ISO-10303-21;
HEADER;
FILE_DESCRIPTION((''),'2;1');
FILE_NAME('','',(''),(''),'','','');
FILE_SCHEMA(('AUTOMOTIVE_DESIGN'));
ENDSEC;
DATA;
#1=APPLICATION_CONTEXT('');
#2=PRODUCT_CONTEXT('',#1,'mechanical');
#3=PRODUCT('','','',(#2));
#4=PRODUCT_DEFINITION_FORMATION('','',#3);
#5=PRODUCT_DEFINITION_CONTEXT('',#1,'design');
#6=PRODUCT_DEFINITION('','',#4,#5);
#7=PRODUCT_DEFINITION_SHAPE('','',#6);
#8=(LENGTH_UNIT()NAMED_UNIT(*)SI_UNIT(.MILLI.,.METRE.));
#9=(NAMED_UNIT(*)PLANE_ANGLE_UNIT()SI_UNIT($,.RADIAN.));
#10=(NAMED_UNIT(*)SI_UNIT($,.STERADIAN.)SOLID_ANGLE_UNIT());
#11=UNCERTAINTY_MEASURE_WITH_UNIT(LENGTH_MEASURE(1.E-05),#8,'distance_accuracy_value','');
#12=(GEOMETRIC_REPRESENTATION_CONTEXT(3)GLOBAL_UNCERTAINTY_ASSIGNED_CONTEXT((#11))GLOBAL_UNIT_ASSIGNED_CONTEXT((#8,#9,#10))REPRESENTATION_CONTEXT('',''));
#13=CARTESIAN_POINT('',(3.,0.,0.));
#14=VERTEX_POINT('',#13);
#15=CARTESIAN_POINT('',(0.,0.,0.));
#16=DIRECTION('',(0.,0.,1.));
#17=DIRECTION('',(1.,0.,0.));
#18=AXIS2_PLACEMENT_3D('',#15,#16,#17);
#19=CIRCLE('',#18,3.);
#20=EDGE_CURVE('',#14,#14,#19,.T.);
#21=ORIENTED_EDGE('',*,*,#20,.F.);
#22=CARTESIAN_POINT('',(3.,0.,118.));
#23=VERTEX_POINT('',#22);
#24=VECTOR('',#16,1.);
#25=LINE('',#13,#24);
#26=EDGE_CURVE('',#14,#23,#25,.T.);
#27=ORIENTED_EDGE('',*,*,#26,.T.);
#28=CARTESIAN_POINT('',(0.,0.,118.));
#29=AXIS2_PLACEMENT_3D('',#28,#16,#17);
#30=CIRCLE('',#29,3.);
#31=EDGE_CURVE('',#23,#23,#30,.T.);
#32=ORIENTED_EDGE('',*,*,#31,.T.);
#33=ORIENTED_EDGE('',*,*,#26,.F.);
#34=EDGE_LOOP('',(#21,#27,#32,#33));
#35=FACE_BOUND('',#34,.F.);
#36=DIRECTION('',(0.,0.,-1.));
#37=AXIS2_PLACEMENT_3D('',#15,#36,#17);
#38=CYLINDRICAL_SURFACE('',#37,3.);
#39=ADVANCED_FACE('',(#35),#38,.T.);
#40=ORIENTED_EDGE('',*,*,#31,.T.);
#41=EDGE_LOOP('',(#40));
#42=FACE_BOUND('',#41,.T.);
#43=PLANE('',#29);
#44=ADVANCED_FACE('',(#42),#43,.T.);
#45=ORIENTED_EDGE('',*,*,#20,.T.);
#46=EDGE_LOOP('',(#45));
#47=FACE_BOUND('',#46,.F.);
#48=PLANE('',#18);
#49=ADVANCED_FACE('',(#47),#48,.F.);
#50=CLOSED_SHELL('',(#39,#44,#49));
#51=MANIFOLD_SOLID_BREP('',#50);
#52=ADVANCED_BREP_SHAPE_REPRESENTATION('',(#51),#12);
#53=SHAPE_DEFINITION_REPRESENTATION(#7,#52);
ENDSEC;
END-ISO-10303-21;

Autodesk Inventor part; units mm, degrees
ref_plane "YZ Plane" through (0, 0, 0) normal (1, 0, 0) x (0, 1, 0)
ref_plane "XZ Plane" through (0, 0, 0) normal (0, 1, 0) x (-1, 0, 0)
ref_plane "XY Plane" through (0, 0, 0) normal (0, 0, 1) x (1, 0, 0)
sketch "Эскиз1" plane through (0, 0, 0) normal (0, 0, 1) x (1, 0, 0)
  circle A0 centre (0, 0) radius 3
  dimension "d0" = 6
extrude "Выдавливание1" add sketch "Эскиз1" along normal blind 118
properties part number "SFC6" material "Сталь"
